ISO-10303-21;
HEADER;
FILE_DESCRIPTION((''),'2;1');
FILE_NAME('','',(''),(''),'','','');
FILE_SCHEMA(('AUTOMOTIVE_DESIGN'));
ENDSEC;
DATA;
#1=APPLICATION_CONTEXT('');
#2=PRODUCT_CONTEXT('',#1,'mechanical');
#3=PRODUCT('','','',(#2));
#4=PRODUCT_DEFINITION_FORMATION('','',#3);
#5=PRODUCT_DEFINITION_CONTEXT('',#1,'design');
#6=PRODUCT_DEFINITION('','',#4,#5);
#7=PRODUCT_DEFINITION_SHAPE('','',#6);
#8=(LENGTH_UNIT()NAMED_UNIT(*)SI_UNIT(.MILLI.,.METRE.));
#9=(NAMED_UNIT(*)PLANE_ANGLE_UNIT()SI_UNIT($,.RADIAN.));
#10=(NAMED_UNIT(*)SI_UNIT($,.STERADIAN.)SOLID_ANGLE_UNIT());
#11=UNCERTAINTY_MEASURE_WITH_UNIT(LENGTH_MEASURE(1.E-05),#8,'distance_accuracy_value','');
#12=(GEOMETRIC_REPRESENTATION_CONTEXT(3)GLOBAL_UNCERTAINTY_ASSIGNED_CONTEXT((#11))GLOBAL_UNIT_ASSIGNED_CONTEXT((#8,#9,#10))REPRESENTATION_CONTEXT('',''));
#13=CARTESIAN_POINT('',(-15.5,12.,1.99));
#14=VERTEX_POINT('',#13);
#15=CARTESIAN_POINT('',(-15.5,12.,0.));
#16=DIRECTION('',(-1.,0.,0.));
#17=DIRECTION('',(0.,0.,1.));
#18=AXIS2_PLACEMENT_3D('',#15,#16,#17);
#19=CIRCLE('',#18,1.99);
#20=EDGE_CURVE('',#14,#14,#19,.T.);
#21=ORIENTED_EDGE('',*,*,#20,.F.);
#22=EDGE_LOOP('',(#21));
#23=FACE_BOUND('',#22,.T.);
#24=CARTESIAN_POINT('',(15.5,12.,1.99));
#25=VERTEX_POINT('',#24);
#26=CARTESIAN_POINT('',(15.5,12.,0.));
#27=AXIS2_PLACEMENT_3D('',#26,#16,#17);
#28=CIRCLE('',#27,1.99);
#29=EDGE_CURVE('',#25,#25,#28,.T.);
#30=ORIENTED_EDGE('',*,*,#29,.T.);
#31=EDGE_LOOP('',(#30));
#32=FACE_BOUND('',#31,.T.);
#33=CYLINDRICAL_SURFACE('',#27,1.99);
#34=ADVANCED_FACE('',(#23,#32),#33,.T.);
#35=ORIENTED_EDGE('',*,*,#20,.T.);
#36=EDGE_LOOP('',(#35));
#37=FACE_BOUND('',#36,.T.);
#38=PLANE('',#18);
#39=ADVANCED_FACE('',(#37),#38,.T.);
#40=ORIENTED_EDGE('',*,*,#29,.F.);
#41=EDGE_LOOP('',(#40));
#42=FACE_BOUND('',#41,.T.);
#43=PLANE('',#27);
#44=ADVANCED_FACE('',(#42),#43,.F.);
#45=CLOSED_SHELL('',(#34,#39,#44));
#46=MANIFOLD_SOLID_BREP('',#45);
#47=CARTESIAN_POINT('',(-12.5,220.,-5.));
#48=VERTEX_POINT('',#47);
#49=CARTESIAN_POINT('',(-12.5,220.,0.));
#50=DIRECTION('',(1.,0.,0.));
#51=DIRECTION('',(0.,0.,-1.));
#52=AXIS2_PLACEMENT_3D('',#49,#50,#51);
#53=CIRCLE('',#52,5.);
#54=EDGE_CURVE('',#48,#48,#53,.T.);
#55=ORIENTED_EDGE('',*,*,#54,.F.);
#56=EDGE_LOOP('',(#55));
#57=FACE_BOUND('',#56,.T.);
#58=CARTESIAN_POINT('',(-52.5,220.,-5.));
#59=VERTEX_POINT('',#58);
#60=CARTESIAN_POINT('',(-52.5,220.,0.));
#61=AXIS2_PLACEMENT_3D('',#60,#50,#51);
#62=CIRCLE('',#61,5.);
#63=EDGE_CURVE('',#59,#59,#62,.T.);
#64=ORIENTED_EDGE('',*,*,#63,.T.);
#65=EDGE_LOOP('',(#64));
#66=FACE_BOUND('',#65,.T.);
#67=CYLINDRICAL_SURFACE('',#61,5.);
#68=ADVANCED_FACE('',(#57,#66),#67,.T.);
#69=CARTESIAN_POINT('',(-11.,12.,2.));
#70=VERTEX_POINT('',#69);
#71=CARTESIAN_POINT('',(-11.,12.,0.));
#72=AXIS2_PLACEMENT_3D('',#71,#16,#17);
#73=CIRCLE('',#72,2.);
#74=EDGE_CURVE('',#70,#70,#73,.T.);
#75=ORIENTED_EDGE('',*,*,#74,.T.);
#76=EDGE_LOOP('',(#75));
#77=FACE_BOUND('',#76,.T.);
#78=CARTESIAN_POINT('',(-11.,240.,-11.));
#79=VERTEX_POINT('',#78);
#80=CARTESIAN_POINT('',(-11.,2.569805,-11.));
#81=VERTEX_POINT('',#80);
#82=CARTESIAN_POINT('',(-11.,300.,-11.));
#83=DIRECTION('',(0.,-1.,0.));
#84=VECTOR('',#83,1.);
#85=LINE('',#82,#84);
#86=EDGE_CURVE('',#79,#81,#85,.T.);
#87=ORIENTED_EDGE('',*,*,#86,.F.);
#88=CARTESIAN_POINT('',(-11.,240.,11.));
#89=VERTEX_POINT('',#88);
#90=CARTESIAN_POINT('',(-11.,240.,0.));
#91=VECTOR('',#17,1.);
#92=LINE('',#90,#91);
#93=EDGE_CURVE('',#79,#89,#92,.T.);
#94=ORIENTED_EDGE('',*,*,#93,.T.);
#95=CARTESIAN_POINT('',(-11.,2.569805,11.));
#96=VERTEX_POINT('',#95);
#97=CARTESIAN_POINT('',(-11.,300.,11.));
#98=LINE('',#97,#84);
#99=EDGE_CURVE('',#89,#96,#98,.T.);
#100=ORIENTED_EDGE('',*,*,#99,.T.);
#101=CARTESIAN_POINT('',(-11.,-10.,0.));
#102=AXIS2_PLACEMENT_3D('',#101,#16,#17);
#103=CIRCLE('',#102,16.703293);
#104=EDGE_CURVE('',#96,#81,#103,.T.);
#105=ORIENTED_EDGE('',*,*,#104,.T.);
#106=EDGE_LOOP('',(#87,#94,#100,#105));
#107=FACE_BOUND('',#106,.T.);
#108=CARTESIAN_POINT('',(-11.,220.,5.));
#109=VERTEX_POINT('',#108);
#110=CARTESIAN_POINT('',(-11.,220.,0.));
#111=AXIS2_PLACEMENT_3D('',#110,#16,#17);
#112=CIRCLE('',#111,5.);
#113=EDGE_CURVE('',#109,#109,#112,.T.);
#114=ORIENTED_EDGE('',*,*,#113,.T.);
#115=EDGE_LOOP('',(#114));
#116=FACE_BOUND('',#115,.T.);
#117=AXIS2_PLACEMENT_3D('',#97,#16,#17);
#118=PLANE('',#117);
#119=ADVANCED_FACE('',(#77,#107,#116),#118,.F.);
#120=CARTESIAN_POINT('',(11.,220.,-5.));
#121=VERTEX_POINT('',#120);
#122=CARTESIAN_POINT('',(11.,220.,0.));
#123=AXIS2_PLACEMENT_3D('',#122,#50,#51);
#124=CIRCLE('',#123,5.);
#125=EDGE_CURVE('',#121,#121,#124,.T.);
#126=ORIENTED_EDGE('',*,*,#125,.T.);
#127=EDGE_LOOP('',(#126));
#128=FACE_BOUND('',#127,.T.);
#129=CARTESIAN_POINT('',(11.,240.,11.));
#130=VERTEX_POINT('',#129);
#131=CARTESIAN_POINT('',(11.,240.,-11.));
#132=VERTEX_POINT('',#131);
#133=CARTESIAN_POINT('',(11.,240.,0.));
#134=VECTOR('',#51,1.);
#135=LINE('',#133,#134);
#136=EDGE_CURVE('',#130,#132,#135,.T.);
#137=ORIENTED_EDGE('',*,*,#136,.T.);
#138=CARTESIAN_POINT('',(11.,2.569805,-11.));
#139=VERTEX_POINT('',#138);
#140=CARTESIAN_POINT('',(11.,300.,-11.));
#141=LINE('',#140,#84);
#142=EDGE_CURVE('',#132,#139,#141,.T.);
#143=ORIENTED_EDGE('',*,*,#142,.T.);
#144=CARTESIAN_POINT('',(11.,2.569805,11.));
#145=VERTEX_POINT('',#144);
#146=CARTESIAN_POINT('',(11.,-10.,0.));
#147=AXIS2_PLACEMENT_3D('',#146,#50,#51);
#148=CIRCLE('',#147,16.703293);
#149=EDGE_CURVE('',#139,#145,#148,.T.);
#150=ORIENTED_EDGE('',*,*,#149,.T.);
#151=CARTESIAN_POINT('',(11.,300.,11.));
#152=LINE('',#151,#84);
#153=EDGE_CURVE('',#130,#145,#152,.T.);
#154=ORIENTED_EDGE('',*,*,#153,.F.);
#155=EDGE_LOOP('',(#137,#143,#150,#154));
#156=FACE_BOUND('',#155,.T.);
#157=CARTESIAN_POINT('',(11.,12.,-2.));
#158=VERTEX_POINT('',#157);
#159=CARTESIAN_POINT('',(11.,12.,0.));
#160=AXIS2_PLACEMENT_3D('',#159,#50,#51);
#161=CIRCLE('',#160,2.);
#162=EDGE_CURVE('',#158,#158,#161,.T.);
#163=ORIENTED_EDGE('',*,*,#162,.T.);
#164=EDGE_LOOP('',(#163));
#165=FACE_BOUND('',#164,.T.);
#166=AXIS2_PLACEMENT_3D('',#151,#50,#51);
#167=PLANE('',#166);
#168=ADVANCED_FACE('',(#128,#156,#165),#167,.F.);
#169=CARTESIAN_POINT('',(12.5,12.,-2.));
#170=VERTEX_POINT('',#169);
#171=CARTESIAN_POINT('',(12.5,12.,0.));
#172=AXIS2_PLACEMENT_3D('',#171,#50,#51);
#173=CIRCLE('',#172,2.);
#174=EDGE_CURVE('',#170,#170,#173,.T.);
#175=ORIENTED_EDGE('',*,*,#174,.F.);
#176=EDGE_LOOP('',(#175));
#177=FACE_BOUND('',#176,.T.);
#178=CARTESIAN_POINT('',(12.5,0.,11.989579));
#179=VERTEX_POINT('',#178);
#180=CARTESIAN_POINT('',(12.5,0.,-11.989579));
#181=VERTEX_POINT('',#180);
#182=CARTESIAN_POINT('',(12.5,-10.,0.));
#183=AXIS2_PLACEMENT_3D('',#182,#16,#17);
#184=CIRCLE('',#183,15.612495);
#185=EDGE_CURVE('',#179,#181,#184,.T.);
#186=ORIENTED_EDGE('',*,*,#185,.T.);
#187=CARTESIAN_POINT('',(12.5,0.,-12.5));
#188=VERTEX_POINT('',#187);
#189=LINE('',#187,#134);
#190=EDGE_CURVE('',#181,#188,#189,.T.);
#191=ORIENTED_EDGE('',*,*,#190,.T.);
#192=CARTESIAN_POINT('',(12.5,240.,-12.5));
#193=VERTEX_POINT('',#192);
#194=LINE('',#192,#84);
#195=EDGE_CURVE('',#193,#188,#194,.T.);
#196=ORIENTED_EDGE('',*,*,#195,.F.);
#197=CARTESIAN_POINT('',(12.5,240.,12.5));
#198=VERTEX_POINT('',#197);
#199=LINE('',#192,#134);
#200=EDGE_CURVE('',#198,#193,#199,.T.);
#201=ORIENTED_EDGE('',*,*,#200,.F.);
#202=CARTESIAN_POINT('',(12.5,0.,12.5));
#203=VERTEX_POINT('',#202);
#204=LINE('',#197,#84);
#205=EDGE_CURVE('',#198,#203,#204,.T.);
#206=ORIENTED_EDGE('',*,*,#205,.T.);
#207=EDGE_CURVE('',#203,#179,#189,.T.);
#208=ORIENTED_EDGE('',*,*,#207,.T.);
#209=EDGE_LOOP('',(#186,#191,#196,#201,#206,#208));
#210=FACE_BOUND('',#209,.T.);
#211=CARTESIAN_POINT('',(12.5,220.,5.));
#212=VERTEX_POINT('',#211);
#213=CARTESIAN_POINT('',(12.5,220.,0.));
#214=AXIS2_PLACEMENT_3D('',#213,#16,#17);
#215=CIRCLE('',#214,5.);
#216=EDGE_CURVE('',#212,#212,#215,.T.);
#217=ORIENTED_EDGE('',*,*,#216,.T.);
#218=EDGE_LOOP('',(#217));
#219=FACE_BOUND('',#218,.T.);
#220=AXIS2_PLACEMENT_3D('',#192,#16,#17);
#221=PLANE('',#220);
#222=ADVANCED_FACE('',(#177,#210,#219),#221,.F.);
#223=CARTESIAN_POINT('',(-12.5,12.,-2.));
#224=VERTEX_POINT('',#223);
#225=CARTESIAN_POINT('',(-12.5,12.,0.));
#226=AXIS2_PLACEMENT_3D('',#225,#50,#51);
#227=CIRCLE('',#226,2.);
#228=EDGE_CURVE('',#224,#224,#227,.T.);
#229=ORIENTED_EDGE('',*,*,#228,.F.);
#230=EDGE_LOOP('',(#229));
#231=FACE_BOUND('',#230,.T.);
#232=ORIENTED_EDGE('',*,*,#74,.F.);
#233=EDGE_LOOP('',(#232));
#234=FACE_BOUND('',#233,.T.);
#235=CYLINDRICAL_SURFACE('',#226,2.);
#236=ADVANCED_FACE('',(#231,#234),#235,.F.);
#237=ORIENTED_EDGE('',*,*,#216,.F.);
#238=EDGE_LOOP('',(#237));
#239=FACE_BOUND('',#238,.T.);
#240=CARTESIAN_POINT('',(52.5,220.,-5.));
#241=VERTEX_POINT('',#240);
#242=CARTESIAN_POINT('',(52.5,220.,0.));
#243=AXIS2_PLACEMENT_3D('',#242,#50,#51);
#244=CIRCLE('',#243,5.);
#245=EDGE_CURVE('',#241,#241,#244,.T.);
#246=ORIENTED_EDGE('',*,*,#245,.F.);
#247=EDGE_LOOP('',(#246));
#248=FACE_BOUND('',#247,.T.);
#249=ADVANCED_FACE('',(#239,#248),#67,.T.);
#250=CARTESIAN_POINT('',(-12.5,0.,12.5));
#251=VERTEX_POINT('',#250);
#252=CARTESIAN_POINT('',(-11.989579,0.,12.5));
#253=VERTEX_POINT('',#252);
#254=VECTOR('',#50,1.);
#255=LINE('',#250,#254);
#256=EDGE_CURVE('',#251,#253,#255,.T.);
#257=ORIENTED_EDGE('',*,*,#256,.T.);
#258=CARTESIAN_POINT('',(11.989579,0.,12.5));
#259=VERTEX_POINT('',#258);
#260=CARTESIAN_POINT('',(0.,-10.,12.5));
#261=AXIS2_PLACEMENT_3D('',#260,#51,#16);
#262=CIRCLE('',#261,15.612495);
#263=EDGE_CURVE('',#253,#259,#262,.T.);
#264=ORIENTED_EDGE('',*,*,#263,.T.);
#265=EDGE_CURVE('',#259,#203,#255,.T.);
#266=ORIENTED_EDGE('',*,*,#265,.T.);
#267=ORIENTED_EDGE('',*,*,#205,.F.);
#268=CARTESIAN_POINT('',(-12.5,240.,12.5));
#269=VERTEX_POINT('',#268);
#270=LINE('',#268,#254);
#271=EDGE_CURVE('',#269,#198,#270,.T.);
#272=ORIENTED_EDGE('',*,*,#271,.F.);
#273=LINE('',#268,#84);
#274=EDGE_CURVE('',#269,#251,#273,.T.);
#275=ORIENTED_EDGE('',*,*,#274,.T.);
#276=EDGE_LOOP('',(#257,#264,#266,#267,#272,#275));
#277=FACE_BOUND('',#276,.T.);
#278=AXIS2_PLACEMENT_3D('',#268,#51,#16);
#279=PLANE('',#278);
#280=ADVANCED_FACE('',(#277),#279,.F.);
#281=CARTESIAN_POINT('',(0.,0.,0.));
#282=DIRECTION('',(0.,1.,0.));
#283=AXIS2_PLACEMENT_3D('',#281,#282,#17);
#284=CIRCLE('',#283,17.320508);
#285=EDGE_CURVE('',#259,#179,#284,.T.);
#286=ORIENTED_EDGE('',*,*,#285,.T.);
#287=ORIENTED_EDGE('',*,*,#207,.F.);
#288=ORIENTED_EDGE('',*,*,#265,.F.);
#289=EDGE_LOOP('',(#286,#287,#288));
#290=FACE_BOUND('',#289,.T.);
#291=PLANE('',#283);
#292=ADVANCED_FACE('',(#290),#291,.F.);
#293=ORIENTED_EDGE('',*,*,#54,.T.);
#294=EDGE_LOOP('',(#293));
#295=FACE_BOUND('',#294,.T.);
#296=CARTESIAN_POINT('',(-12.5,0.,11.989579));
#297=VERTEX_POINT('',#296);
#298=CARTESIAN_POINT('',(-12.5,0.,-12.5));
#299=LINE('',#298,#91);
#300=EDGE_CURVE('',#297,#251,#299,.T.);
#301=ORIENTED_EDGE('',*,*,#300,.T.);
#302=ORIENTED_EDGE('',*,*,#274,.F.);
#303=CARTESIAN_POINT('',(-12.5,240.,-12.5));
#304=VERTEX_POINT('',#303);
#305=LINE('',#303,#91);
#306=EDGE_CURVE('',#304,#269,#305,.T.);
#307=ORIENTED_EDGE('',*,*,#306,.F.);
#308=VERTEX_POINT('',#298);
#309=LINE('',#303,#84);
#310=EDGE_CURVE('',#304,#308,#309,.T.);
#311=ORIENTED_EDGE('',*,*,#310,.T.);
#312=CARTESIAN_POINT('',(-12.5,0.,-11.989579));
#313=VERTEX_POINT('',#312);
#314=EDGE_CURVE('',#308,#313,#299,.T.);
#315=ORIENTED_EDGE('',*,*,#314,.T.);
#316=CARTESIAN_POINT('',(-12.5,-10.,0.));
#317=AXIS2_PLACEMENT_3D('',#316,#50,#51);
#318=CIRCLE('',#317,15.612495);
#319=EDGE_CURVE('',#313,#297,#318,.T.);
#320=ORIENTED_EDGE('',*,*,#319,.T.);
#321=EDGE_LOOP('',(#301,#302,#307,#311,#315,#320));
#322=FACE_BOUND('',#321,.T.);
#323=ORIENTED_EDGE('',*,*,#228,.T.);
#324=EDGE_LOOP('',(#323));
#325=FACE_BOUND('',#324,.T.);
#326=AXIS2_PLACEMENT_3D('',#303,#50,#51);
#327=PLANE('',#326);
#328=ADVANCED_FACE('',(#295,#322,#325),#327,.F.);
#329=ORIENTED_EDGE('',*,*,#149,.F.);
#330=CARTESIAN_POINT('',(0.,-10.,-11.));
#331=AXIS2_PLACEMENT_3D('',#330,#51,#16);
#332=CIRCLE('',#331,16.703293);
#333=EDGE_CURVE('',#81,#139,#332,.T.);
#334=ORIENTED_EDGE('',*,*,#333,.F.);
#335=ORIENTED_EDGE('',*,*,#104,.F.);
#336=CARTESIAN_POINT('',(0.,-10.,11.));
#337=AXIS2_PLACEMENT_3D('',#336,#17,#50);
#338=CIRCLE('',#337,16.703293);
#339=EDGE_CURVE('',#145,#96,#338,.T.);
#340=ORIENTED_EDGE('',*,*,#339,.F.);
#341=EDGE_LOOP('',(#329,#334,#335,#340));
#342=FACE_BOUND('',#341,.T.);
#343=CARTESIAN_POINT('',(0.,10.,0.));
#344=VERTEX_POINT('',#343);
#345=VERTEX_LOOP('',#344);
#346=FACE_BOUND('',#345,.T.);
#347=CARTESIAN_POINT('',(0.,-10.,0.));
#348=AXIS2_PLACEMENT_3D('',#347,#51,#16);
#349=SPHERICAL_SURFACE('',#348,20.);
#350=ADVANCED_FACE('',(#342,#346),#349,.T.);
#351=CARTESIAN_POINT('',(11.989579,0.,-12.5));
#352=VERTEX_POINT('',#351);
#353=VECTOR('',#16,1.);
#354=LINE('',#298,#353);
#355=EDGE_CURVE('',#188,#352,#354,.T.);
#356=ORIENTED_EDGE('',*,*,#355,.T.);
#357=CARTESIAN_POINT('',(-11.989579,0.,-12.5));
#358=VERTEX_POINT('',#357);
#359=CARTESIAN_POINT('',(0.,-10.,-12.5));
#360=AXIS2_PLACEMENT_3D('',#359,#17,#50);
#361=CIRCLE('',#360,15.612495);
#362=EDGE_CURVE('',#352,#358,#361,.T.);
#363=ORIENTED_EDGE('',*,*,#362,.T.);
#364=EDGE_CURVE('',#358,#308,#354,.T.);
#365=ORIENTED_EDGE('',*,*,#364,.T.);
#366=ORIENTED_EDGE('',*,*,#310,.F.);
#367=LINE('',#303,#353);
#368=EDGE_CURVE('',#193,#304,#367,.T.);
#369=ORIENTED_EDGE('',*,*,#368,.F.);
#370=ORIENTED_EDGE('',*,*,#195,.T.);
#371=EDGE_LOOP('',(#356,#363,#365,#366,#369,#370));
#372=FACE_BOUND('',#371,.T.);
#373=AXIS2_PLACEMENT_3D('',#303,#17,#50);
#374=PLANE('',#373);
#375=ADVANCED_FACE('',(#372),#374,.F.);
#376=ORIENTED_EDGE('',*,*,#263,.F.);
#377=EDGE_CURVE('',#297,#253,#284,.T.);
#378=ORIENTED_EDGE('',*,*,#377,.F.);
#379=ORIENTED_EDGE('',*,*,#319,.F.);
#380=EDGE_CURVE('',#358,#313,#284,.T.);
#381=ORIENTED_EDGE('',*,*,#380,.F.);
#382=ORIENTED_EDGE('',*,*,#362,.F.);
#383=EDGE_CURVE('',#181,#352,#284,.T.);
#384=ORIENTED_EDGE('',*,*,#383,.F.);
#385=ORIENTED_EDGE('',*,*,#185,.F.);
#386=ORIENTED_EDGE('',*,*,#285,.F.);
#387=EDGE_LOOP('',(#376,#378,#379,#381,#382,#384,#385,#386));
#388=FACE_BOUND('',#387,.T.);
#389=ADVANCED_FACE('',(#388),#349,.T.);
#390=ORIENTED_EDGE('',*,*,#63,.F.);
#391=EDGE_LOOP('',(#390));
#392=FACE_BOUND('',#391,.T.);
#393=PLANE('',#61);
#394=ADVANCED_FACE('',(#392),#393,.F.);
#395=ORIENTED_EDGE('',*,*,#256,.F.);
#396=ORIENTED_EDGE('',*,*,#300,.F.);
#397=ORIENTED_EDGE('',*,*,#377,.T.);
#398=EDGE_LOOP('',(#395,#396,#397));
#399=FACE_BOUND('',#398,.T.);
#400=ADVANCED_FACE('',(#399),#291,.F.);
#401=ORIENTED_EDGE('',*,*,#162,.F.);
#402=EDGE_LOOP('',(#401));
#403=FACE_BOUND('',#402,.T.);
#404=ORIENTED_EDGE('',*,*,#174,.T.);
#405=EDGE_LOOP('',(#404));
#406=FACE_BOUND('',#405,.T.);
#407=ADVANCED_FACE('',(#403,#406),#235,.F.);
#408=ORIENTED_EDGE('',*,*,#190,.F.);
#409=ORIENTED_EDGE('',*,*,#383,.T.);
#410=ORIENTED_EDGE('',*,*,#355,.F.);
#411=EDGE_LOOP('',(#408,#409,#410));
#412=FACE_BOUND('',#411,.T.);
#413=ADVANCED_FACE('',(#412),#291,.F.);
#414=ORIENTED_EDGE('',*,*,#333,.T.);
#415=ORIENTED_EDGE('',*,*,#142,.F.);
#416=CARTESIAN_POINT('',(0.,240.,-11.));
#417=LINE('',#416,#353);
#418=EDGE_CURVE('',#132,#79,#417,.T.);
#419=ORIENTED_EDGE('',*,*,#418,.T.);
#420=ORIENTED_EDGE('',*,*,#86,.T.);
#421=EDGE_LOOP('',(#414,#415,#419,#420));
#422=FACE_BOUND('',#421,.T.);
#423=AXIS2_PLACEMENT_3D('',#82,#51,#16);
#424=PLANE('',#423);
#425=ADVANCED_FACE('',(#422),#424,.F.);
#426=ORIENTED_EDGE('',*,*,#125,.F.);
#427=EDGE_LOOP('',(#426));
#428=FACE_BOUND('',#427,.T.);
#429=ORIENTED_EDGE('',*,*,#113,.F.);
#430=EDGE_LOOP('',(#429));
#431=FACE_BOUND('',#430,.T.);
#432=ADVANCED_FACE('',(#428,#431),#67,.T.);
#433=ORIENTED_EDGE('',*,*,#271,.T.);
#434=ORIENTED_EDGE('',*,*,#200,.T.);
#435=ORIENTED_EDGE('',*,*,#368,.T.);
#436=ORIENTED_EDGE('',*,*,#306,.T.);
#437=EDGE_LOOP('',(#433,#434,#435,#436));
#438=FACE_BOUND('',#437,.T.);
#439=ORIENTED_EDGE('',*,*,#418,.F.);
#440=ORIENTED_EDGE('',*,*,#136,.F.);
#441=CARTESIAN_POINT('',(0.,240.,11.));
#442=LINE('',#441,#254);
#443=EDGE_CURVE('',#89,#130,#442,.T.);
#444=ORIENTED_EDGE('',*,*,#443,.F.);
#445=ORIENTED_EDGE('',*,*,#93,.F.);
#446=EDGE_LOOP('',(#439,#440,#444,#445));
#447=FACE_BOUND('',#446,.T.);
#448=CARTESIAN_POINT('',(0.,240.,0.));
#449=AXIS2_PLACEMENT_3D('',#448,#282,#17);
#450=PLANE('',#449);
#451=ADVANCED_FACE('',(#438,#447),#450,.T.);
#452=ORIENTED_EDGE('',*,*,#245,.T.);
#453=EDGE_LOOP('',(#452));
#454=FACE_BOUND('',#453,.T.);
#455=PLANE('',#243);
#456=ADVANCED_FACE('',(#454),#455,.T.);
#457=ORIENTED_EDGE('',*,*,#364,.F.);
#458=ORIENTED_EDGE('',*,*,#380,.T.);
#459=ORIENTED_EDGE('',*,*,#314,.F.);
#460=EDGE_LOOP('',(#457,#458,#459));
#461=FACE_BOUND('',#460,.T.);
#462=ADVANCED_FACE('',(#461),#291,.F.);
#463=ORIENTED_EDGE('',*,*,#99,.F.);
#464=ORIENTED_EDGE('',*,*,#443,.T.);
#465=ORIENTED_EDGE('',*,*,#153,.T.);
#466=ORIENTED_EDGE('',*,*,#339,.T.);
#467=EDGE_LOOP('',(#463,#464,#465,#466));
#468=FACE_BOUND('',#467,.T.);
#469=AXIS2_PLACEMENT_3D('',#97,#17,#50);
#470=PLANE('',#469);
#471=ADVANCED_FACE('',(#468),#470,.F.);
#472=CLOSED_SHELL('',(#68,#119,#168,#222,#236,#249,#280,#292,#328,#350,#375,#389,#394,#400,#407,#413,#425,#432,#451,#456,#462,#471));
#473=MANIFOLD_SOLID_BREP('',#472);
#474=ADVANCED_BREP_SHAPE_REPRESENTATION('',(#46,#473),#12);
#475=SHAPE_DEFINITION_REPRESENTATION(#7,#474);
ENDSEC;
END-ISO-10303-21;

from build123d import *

# Parameters (mm, degrees)
SKETCH1_W                 = 25
SKETCH1_H                 = 25
BOSS_EXTRUDE1_DEPTH       = 240
SKETCH3_W                 = 22
SKETCH3_H                 = 22
CUT_EXTRUDE1_DEPTH        = 300
SKETCH6_R                 = 2
CUT_EXTRUDE3_DEPTH        = 25
SKETCH9_R                 = 1.99
BOSS_EXTRUDE8_DEPTH       = 28
SKETCH10_R                = 1.99
BOSS_EXTRUDE9_DEPTH       = 3
BOSS_EXTRUDE11_DEPTH      = 52.5
BOSS_EXTRUDE11_DEPTH_BACK = 52.5
SKETCH13_R                = 5


with BuildPart() as part:
    # Sketch1 → Boss-Extrude1 (new body)
    with BuildSketch(Plane(origin=(0, 0, 0), x_dir=(1, 0, 0), z_dir=(0, 1, 0))):
        Rectangle(SKETCH1_W, SKETCH1_H)
    extrude(amount=BOSS_EXTRUDE1_DEPTH)

    # Sketch3 → Cut-Extrude1 (cut)
    with BuildSketch(Plane.XZ):
        Rectangle(SKETCH3_W, SKETCH3_H)
    extrude(amount=-CUT_EXTRUDE1_DEPTH, mode=Mode.SUBTRACT)

    # Sketch4 → Revolve1 (revolve)
    with BuildSketch(Plane(origin=(0, -10, 0), x_dir=(-1, 0, 0), z_dir=(0, -1, 0))):
        with BuildLine():
            Line((0, 20), (0, -20))
            ThreePointArc((0, -20), (-20, 0), (0, 20))
        make_face()
    revolve(axis=Axis((0, -10, -13.212098256), (0, 0, 1)))

    # Sketch6 → Cut-Extrude3 (cut)
    with BuildSketch(Plane(origin=(12.5, 0, 0), x_dir=(0, 0, -1), z_dir=(1, 0, 0))):
        with Locations((0, 12)):
            Circle(SKETCH6_R)
    extrude(amount=-CUT_EXTRUDE3_DEPTH, mode=Mode.SUBTRACT)

    # Sketch13 → Boss-Extrude11 (add, two sides: drawn at the far end of the back side and taken through both)
    with BuildSketch(Plane(origin=(0, 0, 0), x_dir=(0, 0, -1), z_dir=(1, 0, 0)).offset(-BOSS_EXTRUDE11_DEPTH_BACK)):
        with Locations((0, 220)):
            Circle(SKETCH13_R)
    extrude(amount=BOSS_EXTRUDE11_DEPTH + BOSS_EXTRUDE11_DEPTH_BACK)


with BuildPart() as body_2:
    # Sketch9 → Boss-Extrude8 (new body)
    with BuildSketch(Plane.ZY.offset(12.5)):
        with Locations((0, 12)):
            Circle(SKETCH9_R)
    extrude(amount=-BOSS_EXTRUDE8_DEPTH)

    # Sketch10 → Boss-Extrude9 (add)
    with BuildSketch(Plane.ZY.offset(12.5)):
        with Locations((0, 12)):
            Circle(SKETCH10_R)
    extrude(amount=BOSS_EXTRUDE9_DEPTH)


solid = Compound([part.part, body_2.part])
